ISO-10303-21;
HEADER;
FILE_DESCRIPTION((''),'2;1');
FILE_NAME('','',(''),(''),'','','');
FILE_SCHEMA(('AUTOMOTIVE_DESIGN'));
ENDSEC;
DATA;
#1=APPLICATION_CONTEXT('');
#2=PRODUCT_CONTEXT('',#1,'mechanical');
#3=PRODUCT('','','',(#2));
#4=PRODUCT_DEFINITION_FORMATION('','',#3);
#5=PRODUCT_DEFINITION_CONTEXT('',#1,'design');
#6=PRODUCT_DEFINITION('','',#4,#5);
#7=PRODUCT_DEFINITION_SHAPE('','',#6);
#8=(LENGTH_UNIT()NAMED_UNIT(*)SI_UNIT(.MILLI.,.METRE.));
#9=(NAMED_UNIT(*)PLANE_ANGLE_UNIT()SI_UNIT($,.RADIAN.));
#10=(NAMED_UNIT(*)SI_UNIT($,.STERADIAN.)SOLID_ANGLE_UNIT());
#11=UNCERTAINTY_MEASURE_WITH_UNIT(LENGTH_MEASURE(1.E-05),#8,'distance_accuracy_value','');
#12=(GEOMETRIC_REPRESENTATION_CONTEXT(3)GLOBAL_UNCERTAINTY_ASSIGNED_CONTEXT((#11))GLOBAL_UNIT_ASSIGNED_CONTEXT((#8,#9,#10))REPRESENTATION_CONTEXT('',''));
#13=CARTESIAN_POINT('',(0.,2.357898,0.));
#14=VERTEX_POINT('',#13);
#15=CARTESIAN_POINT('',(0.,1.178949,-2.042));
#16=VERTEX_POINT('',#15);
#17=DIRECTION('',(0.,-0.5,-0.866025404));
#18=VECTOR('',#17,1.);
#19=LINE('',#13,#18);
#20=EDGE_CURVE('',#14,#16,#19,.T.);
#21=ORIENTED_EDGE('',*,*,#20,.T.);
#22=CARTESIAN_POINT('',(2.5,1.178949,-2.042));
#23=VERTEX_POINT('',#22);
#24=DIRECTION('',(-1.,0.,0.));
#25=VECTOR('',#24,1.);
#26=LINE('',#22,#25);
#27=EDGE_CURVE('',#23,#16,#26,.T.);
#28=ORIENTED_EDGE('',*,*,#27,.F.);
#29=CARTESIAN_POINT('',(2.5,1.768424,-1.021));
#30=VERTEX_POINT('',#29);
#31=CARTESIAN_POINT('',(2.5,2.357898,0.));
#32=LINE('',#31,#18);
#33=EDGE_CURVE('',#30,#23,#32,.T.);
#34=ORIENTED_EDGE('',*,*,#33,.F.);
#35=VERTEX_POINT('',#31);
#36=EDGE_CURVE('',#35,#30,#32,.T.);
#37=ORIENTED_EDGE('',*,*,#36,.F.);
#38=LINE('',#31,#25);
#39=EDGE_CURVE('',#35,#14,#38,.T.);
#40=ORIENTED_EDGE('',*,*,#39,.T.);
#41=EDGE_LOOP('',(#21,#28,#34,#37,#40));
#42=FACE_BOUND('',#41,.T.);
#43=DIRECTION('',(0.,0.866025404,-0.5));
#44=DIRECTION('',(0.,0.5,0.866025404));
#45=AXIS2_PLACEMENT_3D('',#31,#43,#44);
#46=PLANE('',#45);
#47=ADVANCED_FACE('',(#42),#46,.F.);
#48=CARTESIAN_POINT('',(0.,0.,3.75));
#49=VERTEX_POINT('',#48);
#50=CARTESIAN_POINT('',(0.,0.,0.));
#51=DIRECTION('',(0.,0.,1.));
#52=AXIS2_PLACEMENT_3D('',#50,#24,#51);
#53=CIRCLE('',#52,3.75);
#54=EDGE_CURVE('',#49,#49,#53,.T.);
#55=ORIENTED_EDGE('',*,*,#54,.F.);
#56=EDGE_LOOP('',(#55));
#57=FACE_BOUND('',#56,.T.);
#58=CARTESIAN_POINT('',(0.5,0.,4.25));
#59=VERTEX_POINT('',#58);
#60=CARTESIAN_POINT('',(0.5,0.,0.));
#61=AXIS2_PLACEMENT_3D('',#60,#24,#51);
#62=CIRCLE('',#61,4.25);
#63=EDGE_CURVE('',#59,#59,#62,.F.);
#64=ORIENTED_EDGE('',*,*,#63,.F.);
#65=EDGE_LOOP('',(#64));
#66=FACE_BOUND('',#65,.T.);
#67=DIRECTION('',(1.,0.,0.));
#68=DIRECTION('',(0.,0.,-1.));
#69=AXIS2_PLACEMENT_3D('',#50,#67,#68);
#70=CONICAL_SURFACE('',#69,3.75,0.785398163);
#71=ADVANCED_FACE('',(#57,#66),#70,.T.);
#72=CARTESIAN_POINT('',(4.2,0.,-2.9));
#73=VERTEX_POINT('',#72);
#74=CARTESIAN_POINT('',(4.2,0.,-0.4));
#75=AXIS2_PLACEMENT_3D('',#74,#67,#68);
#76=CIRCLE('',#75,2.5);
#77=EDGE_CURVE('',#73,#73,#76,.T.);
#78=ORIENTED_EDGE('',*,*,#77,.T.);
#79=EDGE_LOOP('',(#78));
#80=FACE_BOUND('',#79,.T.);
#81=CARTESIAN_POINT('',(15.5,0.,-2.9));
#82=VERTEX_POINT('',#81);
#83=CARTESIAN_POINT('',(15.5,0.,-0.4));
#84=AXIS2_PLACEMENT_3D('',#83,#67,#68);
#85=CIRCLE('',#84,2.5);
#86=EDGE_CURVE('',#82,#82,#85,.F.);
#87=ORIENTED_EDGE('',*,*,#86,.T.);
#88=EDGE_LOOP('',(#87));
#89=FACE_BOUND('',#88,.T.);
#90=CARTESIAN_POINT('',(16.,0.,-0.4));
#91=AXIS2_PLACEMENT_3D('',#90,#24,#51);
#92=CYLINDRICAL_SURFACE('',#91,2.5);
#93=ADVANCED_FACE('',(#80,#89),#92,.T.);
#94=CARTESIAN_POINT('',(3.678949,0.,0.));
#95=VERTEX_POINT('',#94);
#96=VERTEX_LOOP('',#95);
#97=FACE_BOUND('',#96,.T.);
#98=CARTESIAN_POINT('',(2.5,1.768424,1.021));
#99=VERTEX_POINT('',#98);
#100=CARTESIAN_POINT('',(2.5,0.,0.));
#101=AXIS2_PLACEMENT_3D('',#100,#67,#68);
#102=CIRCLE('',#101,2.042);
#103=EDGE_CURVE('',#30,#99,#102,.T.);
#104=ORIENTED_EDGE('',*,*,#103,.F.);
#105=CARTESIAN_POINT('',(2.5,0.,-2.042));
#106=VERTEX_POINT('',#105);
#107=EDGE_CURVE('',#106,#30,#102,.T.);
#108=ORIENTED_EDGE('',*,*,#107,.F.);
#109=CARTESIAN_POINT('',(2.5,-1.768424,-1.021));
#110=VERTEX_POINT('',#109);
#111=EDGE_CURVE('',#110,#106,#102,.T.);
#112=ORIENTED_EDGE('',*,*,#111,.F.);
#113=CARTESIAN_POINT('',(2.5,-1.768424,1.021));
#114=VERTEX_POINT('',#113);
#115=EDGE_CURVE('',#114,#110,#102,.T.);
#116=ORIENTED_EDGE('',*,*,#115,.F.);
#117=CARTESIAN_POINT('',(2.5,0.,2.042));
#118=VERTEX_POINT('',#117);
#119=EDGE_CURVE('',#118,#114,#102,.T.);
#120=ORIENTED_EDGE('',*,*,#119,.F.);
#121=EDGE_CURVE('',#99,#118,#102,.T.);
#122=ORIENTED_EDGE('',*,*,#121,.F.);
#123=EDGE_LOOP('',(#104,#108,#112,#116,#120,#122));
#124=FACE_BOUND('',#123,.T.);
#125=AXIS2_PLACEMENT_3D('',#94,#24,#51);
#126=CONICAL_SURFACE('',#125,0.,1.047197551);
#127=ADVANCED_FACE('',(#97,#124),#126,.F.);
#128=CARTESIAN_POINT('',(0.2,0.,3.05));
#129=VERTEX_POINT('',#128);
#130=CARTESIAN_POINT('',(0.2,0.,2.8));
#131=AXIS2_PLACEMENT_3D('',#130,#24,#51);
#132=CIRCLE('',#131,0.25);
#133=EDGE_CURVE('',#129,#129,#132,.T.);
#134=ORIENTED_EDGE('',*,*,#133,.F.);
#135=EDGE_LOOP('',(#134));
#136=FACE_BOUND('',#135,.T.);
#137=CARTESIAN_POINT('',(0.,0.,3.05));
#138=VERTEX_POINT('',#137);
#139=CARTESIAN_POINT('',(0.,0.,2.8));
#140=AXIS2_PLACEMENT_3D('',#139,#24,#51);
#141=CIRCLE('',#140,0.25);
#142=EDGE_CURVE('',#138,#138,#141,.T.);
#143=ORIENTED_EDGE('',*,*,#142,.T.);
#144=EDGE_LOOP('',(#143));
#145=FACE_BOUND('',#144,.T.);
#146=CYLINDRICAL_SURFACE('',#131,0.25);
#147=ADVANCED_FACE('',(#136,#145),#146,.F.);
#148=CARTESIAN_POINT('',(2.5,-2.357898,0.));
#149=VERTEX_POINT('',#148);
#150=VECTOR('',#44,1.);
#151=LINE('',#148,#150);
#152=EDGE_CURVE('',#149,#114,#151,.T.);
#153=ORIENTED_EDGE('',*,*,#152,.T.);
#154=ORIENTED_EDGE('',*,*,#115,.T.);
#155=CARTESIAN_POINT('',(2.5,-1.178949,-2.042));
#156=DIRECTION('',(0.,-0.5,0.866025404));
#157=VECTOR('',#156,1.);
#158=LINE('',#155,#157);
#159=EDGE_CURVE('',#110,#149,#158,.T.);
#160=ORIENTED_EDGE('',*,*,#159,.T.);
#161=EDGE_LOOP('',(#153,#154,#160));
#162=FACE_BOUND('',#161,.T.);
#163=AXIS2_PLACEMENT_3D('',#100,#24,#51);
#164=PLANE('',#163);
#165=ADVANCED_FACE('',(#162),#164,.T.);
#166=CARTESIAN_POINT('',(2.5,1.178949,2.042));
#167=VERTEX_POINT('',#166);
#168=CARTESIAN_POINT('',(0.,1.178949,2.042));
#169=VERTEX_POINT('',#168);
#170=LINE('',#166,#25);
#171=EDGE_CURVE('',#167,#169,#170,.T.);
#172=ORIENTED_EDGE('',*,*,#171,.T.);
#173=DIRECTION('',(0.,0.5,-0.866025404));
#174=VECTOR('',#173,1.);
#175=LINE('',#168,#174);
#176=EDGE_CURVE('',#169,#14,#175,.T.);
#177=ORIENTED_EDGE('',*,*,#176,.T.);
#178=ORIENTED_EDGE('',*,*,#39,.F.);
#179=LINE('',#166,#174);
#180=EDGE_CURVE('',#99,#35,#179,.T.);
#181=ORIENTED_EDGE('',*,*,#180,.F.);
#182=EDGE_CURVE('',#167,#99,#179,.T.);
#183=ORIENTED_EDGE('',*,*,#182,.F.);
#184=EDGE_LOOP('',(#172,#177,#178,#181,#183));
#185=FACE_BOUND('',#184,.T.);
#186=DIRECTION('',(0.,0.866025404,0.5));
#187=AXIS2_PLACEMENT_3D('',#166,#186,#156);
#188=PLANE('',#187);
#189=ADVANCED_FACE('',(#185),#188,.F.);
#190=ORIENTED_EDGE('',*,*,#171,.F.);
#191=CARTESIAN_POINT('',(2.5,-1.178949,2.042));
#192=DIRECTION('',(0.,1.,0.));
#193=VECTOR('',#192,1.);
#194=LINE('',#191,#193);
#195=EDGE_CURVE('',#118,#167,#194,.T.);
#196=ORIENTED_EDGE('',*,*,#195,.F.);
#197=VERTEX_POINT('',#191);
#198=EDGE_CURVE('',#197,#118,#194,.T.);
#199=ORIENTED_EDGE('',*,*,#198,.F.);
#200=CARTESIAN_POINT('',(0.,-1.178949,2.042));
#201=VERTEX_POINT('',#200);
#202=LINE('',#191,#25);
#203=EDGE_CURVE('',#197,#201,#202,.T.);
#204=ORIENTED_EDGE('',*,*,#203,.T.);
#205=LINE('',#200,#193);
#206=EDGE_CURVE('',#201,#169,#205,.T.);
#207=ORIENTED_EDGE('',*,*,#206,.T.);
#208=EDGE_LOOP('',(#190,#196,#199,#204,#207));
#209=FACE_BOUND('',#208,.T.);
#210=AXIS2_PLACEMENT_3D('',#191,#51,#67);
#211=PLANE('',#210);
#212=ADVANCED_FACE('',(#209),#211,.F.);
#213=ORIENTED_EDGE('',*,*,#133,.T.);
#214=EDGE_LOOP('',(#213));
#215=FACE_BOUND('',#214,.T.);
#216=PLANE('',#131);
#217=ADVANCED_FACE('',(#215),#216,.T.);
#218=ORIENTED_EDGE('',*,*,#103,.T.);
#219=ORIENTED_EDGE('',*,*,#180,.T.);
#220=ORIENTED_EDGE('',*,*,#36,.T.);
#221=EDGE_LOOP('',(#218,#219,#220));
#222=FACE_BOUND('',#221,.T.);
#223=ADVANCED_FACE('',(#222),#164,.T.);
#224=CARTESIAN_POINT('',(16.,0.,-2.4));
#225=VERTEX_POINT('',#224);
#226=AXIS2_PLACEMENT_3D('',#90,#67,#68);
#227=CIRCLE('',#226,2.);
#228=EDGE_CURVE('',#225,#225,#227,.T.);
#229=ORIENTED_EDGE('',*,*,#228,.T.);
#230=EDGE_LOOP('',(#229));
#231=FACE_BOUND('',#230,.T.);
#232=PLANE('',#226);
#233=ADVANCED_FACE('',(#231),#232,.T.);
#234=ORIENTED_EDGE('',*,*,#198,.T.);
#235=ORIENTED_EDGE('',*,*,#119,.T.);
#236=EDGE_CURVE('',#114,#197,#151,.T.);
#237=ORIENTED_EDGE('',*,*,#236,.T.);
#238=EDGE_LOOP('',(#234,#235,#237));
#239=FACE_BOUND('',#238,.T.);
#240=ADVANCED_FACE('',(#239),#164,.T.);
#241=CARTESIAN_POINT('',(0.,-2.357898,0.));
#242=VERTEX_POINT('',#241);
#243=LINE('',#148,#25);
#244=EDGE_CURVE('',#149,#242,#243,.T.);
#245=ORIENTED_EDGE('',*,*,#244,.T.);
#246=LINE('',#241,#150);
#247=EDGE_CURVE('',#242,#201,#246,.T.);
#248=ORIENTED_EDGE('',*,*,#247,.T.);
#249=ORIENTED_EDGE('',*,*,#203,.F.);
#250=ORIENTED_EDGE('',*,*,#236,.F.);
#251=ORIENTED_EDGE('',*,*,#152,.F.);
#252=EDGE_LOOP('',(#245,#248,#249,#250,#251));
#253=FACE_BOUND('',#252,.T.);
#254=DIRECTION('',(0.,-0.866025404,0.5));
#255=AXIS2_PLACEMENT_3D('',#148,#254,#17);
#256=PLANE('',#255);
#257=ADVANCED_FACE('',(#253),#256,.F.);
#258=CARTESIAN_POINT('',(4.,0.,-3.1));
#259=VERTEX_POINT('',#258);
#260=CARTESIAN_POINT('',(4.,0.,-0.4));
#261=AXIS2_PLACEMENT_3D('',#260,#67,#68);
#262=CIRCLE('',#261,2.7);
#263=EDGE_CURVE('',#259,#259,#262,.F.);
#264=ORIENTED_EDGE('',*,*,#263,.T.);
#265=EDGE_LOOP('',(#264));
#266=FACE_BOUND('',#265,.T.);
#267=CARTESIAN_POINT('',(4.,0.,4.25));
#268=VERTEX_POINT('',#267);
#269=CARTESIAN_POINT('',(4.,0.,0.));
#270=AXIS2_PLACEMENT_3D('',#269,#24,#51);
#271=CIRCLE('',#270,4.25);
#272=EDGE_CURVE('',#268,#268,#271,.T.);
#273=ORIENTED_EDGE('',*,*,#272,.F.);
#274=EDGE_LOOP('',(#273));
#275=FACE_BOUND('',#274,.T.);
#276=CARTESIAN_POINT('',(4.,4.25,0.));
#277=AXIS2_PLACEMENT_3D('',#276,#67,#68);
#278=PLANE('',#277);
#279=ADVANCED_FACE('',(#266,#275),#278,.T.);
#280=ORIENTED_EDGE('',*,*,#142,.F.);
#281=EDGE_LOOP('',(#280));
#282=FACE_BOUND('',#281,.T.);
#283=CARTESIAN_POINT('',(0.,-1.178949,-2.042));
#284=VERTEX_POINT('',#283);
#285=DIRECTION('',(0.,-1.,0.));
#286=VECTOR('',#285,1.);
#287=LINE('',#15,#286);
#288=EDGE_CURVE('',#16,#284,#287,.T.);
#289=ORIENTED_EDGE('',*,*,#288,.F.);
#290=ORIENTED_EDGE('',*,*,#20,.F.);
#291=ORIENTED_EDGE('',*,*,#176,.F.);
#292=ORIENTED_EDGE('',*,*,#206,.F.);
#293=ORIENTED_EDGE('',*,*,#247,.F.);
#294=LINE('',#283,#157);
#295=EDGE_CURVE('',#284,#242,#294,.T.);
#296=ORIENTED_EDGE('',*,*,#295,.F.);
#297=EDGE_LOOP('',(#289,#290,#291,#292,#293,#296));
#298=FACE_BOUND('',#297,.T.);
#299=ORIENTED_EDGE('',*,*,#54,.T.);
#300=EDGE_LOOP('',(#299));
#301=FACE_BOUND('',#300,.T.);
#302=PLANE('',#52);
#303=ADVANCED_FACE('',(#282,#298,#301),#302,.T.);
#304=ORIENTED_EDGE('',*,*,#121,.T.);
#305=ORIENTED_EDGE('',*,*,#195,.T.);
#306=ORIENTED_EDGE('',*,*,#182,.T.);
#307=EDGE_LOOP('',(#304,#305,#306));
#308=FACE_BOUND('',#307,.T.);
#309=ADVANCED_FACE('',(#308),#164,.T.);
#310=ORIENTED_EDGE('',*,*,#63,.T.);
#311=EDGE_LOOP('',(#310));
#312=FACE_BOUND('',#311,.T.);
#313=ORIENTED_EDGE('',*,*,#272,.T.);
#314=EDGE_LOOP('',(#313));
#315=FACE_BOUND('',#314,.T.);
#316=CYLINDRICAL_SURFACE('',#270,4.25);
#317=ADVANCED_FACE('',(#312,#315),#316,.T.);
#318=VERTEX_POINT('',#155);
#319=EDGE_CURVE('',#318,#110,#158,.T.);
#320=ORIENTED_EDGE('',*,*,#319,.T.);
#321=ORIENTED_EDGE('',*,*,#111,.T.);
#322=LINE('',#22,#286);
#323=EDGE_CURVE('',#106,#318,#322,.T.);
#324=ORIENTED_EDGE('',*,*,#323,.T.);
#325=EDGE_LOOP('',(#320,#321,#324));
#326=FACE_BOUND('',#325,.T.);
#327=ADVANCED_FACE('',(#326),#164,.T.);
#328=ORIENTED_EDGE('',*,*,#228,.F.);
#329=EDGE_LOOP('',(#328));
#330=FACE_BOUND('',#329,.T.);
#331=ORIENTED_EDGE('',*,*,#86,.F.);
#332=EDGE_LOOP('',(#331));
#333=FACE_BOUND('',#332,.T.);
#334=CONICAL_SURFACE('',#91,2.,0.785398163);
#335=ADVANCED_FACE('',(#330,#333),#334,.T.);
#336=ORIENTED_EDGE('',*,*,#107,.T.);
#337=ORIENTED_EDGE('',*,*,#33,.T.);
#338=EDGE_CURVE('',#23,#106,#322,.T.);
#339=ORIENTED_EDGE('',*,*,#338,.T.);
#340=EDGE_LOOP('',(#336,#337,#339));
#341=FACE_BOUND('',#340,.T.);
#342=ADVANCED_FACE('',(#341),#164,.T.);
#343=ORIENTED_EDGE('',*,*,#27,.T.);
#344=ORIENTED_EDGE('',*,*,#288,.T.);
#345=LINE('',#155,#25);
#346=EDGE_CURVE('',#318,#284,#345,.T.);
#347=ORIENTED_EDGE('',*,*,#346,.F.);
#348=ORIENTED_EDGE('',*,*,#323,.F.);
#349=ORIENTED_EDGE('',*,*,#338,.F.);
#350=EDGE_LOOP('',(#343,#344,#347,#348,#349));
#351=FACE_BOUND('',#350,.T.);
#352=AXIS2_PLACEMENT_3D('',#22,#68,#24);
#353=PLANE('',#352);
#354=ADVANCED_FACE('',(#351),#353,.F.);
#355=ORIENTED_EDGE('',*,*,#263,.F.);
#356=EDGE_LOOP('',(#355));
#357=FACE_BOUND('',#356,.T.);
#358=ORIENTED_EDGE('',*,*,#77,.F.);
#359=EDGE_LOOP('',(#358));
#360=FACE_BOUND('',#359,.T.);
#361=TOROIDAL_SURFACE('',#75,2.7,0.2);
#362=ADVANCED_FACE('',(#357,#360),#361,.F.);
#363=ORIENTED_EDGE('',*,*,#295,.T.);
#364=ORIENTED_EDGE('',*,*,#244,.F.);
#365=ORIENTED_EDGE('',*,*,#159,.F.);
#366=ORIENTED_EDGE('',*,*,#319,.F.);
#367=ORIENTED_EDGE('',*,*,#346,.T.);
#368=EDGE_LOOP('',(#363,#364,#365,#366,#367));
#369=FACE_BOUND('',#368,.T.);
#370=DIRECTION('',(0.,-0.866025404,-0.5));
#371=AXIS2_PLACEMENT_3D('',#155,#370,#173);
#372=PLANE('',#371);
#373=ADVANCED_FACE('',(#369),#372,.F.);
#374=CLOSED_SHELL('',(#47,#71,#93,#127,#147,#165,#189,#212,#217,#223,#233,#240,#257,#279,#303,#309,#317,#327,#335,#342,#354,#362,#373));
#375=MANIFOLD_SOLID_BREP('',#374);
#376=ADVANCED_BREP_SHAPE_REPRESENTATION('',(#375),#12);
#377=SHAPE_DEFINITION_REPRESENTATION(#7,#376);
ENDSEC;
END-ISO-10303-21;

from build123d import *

# Parameters (mm, degrees)
ESBO_O1_W                = 4
ESBO_O1_H                = 4.25
ESBO_O2_R                = 2.5
RESSALTO_EXTRUS_O1_DEPTH = 12
CORTE_EXTRUS_O1_DEPTH    = 2.5
CHANFRO1_SIZE            = 0.5
FILETE1_R                = 0.2
SKETCH1_R                = 0.25
CUT_EXTRUDE1_DEPTH       = 0.2


with BuildPart() as part:
    # Esboço1 → Revolução1 (revolve)
    with BuildSketch(Plane(origin=(0, 0, 0), x_dir=(-1, 0, 0), z_dir=(0, 0, -1)), mode=Mode.PRIVATE) as revolu_o1_sk:
        with Locations((-2, 2.125)):
            Rectangle(ESBO_O1_W, ESBO_O1_H)
    revolve(revolu_o1_sk.sketch.rotate(Axis((4, 0, 0), (-1, 0, 0)), 270), axis=Axis((4, 0, 0), (-1, 0, 0)))

    # Esboço2 → Ressalto-extrusão1 (add)
    with BuildSketch(Plane(origin=(4, 0, 0), x_dir=(0, 0, -1), z_dir=(1, 0, 0))):
        with Locations((0.4, 0)):
            Circle(ESBO_O2_R)
    extrude(amount=RESSALTO_EXTRUS_O1_DEPTH)

    # Esboço3 → Corte-extrusão1 (cut)
    with BuildSketch(Plane.ZY):
        Polygon((0, -2.357898499), (2.042, -1.17894925), (2.042, 1.17894925), (0, 2.357898499), (-2.042, 1.17894925), (-2.042, -1.17894925), align=None)
    extrude(amount=-CORTE_EXTRUS_O1_DEPTH, mode=Mode.SUBTRACT)

    # Esboço4 → Corte-Revolução1 (revolve, cut)
    with BuildSketch(Plane.XY, mode=Mode.PRIVATE) as corte_revolu_o1_sk:
        Polygon((2.5, 2.042), (2.5, 0), (3.67894925, 0), align=None)
    revolve(corte_revolu_o1_sk.sketch.rotate(Axis((2.5, 0, 0), (1, 0, 0)), 90), axis=Axis((2.5, 0, 0), (1, 0, 0)), mode=Mode.SUBTRACT)

    # Chanfro1
    chanfro1_edges = [part.edges().sort_by_distance(p)[0] for p in [
        (0, 0, -4.25),
        (16, 0, 2.1),
    ]]
    chamfer(chanfro1_edges, length=CHANFRO1_SIZE)

    # Filete1
    filete1_edges = [part.edges().sort_by_distance(p)[0] for p in [
        (4, 0, 2.1),
    ]]
    fillet(filete1_edges, radius=FILETE1_R)

    # Sketch1 → Cut-Extrude1 (cut)
    with BuildSketch(Plane.ZY):
        with Locations((2.8, 0)):
            Circle(SKETCH1_R)
    extrude(amount=-CUT_EXTRUDE1_DEPTH, mode=Mode.SUBTRACT)


solid = part.part
